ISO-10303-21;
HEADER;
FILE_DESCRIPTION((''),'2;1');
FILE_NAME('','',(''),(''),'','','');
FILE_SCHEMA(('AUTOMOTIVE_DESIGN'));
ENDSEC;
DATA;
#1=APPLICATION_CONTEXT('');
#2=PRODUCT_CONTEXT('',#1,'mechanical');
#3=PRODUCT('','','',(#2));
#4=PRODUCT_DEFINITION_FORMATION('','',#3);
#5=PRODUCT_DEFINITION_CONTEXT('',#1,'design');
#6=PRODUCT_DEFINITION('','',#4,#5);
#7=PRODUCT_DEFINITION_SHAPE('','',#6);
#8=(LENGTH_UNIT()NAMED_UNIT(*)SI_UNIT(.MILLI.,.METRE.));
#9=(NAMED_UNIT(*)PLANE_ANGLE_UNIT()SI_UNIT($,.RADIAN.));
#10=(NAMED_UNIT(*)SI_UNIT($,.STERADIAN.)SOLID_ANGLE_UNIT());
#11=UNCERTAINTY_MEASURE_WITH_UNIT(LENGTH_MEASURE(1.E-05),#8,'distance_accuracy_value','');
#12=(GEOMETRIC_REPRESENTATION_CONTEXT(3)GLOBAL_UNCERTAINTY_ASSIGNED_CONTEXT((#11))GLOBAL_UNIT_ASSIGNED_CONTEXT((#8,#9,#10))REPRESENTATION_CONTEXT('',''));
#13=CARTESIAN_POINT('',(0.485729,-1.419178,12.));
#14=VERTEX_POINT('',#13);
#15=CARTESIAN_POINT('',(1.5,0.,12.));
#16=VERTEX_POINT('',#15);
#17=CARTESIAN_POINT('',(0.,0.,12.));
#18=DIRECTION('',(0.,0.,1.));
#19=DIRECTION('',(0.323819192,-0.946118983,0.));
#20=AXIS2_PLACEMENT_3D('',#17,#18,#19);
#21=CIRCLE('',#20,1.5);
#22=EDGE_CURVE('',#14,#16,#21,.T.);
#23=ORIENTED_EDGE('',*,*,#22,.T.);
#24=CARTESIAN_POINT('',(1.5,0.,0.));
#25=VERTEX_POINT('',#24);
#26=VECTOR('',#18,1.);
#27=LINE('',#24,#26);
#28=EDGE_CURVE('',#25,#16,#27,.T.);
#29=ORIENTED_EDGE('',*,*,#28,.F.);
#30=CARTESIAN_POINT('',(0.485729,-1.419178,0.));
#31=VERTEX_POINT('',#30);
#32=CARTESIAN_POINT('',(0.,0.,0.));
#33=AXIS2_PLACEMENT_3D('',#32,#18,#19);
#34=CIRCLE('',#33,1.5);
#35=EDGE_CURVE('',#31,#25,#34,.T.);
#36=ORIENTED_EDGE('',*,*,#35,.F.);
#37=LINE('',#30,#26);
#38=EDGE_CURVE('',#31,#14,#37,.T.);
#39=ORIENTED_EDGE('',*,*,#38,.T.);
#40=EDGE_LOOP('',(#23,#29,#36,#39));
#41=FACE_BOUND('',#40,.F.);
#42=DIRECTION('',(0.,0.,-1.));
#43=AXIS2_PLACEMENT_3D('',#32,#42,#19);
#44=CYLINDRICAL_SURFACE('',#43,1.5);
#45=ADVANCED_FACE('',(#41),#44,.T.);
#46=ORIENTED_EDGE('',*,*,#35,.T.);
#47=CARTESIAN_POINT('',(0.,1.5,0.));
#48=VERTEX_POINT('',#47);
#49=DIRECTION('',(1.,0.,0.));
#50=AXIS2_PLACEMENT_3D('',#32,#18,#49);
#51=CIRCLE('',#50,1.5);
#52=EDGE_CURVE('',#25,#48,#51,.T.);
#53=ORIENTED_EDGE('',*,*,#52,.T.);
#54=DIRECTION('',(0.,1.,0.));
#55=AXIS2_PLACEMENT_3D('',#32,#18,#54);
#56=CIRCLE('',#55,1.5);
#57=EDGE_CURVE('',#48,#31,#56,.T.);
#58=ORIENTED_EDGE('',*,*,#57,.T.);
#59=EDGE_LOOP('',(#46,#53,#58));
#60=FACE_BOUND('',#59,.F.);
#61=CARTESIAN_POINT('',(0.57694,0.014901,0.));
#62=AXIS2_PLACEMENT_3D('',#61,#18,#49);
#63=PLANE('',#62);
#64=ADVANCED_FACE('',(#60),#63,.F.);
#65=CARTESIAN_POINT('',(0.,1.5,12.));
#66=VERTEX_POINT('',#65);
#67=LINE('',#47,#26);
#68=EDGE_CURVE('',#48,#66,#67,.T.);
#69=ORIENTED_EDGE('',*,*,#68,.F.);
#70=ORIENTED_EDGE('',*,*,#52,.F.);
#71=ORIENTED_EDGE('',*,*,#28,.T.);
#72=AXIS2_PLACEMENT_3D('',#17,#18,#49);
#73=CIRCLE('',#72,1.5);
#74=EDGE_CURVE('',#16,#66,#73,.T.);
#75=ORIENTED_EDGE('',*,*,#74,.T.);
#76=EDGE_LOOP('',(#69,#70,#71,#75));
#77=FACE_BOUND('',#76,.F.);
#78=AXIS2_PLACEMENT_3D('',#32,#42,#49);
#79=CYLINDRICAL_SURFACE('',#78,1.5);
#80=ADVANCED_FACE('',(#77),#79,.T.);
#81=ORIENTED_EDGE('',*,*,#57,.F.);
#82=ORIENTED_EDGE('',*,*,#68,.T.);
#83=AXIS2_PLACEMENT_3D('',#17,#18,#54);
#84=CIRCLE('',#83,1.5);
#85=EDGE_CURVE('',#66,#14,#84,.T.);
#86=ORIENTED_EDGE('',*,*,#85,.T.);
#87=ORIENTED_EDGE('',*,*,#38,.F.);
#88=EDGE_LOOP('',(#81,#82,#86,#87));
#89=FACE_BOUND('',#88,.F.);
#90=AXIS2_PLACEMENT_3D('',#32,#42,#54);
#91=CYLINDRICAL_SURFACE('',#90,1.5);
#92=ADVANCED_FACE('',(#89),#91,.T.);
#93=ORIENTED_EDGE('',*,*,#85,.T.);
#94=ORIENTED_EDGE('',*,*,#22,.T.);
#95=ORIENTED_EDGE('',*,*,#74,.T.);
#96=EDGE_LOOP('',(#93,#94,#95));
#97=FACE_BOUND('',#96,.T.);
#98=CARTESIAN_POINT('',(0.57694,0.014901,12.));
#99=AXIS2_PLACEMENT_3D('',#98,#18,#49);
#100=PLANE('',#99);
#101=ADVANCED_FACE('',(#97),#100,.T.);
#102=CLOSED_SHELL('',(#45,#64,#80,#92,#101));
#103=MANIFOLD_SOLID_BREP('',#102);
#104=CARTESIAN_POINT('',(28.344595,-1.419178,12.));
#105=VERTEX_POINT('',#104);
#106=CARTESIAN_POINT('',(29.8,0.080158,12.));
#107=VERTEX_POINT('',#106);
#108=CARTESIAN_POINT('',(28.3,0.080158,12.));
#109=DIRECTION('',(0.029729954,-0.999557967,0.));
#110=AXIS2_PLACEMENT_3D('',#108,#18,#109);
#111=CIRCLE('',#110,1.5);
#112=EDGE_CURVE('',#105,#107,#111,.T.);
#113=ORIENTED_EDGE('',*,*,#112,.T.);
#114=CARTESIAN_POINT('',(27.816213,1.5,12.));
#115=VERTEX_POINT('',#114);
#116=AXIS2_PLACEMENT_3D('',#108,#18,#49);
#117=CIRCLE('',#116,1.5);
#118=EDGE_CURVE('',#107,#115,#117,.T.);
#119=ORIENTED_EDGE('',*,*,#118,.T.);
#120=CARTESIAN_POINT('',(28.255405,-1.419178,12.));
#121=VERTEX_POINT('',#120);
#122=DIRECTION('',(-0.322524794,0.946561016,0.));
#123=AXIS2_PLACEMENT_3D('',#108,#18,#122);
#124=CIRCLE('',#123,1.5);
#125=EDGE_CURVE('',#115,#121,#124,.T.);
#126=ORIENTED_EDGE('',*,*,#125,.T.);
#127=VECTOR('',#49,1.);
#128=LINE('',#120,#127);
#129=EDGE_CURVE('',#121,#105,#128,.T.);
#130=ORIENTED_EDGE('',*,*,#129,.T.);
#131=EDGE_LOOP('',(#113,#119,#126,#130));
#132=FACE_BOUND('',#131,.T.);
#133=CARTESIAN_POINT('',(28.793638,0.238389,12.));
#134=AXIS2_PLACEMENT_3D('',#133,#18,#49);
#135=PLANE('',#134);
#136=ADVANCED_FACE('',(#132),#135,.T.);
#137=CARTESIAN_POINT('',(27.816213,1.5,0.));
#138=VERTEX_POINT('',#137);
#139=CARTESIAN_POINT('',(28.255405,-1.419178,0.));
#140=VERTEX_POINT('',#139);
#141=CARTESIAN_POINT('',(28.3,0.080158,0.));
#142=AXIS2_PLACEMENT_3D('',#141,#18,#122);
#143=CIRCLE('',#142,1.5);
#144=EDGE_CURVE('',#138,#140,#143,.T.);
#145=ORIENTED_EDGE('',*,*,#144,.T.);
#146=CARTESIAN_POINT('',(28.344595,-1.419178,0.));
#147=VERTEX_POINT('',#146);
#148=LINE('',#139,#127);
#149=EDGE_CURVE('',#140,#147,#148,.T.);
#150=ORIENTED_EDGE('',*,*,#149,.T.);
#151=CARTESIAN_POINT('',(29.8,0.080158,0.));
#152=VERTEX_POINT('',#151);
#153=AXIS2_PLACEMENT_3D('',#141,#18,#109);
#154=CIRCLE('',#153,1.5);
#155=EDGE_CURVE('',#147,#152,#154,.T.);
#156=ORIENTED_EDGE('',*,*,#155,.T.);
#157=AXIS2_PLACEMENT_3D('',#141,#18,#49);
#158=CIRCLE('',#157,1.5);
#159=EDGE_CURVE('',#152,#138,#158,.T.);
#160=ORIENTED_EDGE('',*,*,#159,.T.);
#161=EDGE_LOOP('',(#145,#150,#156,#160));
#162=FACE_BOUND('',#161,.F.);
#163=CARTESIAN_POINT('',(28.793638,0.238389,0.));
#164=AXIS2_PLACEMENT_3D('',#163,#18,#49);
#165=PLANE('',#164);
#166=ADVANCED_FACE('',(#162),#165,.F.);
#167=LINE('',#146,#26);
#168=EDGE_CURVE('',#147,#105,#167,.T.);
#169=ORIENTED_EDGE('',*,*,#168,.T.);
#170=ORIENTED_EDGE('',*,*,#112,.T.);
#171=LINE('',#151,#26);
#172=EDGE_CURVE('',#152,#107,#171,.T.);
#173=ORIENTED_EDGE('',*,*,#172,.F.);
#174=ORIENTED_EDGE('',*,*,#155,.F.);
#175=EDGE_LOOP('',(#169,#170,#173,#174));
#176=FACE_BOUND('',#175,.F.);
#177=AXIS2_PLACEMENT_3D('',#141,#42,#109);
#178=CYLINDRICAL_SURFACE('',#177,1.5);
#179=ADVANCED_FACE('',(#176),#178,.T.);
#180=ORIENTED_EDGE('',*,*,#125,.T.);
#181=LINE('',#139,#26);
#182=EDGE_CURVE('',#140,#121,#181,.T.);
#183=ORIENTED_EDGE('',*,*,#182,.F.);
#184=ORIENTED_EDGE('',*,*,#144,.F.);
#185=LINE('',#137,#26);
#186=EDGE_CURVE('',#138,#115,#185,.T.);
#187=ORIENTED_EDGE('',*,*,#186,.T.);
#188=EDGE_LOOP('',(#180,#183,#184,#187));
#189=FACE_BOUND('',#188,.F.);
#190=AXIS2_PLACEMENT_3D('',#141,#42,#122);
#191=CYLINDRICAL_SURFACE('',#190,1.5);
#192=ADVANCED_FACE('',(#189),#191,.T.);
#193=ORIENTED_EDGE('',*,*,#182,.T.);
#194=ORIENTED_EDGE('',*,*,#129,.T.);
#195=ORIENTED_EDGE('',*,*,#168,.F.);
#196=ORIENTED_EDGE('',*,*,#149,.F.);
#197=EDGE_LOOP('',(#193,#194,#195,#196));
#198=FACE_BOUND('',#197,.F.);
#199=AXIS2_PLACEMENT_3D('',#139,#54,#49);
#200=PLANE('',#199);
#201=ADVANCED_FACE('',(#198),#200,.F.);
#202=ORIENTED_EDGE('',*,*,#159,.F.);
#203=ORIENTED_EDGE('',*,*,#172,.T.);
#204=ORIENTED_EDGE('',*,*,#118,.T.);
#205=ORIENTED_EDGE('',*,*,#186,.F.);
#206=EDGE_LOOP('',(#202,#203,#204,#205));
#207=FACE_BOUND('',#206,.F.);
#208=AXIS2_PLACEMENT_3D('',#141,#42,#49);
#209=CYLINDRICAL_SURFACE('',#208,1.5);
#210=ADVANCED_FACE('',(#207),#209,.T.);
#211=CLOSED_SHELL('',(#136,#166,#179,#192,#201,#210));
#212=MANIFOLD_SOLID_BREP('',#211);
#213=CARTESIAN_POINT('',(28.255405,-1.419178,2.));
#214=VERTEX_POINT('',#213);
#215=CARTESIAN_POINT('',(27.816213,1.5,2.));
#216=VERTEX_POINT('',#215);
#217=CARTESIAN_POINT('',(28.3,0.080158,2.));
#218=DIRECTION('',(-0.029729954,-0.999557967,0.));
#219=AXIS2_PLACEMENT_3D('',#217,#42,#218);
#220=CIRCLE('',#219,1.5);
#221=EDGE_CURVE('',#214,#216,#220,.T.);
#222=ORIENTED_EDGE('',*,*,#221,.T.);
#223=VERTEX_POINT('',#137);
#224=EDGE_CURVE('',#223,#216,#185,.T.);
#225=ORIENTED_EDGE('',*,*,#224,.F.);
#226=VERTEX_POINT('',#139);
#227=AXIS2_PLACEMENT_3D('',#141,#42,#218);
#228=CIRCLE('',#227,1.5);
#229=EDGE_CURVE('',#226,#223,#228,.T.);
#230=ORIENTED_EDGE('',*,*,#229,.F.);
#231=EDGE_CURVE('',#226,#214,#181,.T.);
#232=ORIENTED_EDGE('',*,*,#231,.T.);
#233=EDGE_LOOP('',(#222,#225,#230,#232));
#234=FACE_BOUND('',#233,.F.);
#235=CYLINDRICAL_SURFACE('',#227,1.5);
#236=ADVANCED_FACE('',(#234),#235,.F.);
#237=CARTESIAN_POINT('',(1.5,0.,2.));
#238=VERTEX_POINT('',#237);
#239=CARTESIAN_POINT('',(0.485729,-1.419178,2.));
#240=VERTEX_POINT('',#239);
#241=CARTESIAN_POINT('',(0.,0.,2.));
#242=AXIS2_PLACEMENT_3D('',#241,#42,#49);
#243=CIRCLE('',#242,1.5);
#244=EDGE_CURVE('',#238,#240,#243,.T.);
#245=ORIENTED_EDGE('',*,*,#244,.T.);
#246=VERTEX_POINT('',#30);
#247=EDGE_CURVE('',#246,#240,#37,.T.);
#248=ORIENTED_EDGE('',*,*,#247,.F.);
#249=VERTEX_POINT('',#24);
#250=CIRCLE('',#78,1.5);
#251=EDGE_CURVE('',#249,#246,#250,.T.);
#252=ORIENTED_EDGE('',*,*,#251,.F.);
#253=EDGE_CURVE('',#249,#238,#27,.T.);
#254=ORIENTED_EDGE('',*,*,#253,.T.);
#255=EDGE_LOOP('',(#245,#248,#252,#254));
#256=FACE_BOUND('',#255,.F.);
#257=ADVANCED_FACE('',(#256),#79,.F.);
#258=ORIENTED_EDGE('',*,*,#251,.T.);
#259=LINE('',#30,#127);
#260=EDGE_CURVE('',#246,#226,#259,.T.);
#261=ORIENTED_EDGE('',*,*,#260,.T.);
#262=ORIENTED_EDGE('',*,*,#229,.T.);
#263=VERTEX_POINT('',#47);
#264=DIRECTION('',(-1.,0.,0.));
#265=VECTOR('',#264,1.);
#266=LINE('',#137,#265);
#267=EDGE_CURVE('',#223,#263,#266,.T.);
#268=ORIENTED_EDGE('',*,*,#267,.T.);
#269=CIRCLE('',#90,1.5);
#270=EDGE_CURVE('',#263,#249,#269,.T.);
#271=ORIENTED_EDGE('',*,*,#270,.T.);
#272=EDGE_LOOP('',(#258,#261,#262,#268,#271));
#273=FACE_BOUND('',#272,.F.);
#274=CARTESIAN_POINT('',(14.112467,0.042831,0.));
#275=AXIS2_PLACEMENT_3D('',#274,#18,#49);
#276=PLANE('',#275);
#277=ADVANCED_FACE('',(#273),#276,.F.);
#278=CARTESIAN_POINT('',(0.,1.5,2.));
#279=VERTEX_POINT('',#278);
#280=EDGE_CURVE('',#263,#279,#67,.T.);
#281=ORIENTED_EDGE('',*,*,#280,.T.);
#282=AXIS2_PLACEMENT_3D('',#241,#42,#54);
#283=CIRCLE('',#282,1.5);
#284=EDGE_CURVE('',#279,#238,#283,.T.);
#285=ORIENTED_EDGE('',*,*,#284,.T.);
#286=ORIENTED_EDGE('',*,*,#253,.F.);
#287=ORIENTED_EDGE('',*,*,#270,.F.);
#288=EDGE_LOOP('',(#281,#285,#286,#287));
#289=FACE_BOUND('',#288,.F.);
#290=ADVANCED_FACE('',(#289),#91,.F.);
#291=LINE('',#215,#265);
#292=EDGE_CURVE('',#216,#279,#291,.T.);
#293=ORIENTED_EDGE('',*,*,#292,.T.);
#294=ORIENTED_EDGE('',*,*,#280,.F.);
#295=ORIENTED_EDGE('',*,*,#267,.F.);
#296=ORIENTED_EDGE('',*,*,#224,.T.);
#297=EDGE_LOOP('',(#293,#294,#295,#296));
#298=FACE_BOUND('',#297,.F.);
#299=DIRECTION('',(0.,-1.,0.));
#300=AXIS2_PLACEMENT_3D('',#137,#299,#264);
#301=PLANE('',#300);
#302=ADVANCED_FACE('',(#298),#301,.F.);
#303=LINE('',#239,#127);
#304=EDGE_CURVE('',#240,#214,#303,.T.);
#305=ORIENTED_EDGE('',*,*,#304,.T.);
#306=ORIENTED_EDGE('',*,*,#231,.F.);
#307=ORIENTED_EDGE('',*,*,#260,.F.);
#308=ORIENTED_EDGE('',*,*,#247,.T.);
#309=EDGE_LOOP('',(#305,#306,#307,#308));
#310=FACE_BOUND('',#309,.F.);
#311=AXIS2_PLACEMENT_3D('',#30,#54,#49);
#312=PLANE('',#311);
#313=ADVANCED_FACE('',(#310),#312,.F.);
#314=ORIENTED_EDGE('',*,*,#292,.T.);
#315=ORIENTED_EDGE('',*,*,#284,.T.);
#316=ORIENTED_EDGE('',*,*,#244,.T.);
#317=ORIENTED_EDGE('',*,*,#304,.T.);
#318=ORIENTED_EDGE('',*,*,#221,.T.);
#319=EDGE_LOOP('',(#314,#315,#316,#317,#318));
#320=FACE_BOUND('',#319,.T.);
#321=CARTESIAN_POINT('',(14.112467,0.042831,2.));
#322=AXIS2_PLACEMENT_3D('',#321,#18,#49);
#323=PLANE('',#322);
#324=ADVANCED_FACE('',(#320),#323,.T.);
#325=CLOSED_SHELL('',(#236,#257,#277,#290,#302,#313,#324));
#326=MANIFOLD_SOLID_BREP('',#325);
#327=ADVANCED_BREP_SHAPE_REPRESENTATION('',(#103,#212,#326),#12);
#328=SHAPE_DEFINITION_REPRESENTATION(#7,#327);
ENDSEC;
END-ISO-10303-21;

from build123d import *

# Parameters (mm, degrees)
F1_DEPTH = 12
F2_DEPTH = 2


with BuildPart() as f1:
    # F0 (on Top) → F1 (new body)
    with BuildSketch(Plane.XY):
        with BuildLine():
            ThreePointArc((0.485728788, -1.4191784752), (1.2203674, -0.8721831281), (1.5, 0))
            ThreePointArc((1.5, 0), (1.0606601718, 1.0606601718), (0, 1.5))
            Line((0, 1.5), (0, -1.4191784752))
            Line((0, -1.4191784752), (0.485728788, -1.4191784752))
        make_face()
        with BuildLine():
            Line((0, -1.4191784752), (0, 1.5))
            ThreePointArc((0, 1.5), (-1.4796566684, -0.2462034598), (0.485728788, -1.4191784752))
            Line((0.485728788, -1.4191784752), (0, -1.4191784752))
        make_face()
    extrude(amount=F1_DEPTH)


with BuildPart() as f1b:
    # F0 (on Top) → F1, piece 2 (new body)
    with BuildSketch(Plane.XY):
        with BuildLine():
            ThreePointArc((29.8, 0.0801584756), (29.1730175297, 1.2999291068), (27.8162128096, 1.5))
            Line((27.8162128096, 1.5), (28.3445949316, 1.5))
            Line((28.3445949316, 1.5), (28.3445949316, -1.4191784752))
            ThreePointArc((28.3445949316, -1.4191784752), (29.3763113856, -0.9646160461), (29.8, 0.0801584756))
        make_face()
        with BuildLine():
            Line((28.3445949316, 1.5), (27.8162128096, 1.5))
            ThreePointArc((27.8162128096, 1.5), (26.8166936732, -0.143005905), (28.2554050684, -1.4191784752))
            Line((28.2554050684, -1.4191784752), (28.3445949316, -1.4191784752))
            Line((28.3445949316, -1.4191784752), (28.3445949316, 1.5))
        make_face()
    extrude(amount=F1_DEPTH)


with BuildPart() as f2:
    # F0 (on Top) → F2 (new body)
    with BuildSketch(Plane.XY):
        with BuildLine():
            ThreePointArc((0, 1.5), (1.0606601718, 1.0606601718), (1.5, 0))
            ThreePointArc((1.5, 0), (1.2203674, -0.8721831281), (0.485728788, -1.4191784752))
            Line((0.485728788, -1.4191784752), (28.2554050684, -1.4191784752))
            ThreePointArc((28.2554050684, -1.4191784752), (26.8166936732, -0.143005905), (27.8162128096, 1.5))
            Line((27.8162128096, 1.5), (0, 1.5))
        make_face()
    extrude(amount=F2_DEPTH)


solid = Compound([f1.part, f1b.part, f2.part])
